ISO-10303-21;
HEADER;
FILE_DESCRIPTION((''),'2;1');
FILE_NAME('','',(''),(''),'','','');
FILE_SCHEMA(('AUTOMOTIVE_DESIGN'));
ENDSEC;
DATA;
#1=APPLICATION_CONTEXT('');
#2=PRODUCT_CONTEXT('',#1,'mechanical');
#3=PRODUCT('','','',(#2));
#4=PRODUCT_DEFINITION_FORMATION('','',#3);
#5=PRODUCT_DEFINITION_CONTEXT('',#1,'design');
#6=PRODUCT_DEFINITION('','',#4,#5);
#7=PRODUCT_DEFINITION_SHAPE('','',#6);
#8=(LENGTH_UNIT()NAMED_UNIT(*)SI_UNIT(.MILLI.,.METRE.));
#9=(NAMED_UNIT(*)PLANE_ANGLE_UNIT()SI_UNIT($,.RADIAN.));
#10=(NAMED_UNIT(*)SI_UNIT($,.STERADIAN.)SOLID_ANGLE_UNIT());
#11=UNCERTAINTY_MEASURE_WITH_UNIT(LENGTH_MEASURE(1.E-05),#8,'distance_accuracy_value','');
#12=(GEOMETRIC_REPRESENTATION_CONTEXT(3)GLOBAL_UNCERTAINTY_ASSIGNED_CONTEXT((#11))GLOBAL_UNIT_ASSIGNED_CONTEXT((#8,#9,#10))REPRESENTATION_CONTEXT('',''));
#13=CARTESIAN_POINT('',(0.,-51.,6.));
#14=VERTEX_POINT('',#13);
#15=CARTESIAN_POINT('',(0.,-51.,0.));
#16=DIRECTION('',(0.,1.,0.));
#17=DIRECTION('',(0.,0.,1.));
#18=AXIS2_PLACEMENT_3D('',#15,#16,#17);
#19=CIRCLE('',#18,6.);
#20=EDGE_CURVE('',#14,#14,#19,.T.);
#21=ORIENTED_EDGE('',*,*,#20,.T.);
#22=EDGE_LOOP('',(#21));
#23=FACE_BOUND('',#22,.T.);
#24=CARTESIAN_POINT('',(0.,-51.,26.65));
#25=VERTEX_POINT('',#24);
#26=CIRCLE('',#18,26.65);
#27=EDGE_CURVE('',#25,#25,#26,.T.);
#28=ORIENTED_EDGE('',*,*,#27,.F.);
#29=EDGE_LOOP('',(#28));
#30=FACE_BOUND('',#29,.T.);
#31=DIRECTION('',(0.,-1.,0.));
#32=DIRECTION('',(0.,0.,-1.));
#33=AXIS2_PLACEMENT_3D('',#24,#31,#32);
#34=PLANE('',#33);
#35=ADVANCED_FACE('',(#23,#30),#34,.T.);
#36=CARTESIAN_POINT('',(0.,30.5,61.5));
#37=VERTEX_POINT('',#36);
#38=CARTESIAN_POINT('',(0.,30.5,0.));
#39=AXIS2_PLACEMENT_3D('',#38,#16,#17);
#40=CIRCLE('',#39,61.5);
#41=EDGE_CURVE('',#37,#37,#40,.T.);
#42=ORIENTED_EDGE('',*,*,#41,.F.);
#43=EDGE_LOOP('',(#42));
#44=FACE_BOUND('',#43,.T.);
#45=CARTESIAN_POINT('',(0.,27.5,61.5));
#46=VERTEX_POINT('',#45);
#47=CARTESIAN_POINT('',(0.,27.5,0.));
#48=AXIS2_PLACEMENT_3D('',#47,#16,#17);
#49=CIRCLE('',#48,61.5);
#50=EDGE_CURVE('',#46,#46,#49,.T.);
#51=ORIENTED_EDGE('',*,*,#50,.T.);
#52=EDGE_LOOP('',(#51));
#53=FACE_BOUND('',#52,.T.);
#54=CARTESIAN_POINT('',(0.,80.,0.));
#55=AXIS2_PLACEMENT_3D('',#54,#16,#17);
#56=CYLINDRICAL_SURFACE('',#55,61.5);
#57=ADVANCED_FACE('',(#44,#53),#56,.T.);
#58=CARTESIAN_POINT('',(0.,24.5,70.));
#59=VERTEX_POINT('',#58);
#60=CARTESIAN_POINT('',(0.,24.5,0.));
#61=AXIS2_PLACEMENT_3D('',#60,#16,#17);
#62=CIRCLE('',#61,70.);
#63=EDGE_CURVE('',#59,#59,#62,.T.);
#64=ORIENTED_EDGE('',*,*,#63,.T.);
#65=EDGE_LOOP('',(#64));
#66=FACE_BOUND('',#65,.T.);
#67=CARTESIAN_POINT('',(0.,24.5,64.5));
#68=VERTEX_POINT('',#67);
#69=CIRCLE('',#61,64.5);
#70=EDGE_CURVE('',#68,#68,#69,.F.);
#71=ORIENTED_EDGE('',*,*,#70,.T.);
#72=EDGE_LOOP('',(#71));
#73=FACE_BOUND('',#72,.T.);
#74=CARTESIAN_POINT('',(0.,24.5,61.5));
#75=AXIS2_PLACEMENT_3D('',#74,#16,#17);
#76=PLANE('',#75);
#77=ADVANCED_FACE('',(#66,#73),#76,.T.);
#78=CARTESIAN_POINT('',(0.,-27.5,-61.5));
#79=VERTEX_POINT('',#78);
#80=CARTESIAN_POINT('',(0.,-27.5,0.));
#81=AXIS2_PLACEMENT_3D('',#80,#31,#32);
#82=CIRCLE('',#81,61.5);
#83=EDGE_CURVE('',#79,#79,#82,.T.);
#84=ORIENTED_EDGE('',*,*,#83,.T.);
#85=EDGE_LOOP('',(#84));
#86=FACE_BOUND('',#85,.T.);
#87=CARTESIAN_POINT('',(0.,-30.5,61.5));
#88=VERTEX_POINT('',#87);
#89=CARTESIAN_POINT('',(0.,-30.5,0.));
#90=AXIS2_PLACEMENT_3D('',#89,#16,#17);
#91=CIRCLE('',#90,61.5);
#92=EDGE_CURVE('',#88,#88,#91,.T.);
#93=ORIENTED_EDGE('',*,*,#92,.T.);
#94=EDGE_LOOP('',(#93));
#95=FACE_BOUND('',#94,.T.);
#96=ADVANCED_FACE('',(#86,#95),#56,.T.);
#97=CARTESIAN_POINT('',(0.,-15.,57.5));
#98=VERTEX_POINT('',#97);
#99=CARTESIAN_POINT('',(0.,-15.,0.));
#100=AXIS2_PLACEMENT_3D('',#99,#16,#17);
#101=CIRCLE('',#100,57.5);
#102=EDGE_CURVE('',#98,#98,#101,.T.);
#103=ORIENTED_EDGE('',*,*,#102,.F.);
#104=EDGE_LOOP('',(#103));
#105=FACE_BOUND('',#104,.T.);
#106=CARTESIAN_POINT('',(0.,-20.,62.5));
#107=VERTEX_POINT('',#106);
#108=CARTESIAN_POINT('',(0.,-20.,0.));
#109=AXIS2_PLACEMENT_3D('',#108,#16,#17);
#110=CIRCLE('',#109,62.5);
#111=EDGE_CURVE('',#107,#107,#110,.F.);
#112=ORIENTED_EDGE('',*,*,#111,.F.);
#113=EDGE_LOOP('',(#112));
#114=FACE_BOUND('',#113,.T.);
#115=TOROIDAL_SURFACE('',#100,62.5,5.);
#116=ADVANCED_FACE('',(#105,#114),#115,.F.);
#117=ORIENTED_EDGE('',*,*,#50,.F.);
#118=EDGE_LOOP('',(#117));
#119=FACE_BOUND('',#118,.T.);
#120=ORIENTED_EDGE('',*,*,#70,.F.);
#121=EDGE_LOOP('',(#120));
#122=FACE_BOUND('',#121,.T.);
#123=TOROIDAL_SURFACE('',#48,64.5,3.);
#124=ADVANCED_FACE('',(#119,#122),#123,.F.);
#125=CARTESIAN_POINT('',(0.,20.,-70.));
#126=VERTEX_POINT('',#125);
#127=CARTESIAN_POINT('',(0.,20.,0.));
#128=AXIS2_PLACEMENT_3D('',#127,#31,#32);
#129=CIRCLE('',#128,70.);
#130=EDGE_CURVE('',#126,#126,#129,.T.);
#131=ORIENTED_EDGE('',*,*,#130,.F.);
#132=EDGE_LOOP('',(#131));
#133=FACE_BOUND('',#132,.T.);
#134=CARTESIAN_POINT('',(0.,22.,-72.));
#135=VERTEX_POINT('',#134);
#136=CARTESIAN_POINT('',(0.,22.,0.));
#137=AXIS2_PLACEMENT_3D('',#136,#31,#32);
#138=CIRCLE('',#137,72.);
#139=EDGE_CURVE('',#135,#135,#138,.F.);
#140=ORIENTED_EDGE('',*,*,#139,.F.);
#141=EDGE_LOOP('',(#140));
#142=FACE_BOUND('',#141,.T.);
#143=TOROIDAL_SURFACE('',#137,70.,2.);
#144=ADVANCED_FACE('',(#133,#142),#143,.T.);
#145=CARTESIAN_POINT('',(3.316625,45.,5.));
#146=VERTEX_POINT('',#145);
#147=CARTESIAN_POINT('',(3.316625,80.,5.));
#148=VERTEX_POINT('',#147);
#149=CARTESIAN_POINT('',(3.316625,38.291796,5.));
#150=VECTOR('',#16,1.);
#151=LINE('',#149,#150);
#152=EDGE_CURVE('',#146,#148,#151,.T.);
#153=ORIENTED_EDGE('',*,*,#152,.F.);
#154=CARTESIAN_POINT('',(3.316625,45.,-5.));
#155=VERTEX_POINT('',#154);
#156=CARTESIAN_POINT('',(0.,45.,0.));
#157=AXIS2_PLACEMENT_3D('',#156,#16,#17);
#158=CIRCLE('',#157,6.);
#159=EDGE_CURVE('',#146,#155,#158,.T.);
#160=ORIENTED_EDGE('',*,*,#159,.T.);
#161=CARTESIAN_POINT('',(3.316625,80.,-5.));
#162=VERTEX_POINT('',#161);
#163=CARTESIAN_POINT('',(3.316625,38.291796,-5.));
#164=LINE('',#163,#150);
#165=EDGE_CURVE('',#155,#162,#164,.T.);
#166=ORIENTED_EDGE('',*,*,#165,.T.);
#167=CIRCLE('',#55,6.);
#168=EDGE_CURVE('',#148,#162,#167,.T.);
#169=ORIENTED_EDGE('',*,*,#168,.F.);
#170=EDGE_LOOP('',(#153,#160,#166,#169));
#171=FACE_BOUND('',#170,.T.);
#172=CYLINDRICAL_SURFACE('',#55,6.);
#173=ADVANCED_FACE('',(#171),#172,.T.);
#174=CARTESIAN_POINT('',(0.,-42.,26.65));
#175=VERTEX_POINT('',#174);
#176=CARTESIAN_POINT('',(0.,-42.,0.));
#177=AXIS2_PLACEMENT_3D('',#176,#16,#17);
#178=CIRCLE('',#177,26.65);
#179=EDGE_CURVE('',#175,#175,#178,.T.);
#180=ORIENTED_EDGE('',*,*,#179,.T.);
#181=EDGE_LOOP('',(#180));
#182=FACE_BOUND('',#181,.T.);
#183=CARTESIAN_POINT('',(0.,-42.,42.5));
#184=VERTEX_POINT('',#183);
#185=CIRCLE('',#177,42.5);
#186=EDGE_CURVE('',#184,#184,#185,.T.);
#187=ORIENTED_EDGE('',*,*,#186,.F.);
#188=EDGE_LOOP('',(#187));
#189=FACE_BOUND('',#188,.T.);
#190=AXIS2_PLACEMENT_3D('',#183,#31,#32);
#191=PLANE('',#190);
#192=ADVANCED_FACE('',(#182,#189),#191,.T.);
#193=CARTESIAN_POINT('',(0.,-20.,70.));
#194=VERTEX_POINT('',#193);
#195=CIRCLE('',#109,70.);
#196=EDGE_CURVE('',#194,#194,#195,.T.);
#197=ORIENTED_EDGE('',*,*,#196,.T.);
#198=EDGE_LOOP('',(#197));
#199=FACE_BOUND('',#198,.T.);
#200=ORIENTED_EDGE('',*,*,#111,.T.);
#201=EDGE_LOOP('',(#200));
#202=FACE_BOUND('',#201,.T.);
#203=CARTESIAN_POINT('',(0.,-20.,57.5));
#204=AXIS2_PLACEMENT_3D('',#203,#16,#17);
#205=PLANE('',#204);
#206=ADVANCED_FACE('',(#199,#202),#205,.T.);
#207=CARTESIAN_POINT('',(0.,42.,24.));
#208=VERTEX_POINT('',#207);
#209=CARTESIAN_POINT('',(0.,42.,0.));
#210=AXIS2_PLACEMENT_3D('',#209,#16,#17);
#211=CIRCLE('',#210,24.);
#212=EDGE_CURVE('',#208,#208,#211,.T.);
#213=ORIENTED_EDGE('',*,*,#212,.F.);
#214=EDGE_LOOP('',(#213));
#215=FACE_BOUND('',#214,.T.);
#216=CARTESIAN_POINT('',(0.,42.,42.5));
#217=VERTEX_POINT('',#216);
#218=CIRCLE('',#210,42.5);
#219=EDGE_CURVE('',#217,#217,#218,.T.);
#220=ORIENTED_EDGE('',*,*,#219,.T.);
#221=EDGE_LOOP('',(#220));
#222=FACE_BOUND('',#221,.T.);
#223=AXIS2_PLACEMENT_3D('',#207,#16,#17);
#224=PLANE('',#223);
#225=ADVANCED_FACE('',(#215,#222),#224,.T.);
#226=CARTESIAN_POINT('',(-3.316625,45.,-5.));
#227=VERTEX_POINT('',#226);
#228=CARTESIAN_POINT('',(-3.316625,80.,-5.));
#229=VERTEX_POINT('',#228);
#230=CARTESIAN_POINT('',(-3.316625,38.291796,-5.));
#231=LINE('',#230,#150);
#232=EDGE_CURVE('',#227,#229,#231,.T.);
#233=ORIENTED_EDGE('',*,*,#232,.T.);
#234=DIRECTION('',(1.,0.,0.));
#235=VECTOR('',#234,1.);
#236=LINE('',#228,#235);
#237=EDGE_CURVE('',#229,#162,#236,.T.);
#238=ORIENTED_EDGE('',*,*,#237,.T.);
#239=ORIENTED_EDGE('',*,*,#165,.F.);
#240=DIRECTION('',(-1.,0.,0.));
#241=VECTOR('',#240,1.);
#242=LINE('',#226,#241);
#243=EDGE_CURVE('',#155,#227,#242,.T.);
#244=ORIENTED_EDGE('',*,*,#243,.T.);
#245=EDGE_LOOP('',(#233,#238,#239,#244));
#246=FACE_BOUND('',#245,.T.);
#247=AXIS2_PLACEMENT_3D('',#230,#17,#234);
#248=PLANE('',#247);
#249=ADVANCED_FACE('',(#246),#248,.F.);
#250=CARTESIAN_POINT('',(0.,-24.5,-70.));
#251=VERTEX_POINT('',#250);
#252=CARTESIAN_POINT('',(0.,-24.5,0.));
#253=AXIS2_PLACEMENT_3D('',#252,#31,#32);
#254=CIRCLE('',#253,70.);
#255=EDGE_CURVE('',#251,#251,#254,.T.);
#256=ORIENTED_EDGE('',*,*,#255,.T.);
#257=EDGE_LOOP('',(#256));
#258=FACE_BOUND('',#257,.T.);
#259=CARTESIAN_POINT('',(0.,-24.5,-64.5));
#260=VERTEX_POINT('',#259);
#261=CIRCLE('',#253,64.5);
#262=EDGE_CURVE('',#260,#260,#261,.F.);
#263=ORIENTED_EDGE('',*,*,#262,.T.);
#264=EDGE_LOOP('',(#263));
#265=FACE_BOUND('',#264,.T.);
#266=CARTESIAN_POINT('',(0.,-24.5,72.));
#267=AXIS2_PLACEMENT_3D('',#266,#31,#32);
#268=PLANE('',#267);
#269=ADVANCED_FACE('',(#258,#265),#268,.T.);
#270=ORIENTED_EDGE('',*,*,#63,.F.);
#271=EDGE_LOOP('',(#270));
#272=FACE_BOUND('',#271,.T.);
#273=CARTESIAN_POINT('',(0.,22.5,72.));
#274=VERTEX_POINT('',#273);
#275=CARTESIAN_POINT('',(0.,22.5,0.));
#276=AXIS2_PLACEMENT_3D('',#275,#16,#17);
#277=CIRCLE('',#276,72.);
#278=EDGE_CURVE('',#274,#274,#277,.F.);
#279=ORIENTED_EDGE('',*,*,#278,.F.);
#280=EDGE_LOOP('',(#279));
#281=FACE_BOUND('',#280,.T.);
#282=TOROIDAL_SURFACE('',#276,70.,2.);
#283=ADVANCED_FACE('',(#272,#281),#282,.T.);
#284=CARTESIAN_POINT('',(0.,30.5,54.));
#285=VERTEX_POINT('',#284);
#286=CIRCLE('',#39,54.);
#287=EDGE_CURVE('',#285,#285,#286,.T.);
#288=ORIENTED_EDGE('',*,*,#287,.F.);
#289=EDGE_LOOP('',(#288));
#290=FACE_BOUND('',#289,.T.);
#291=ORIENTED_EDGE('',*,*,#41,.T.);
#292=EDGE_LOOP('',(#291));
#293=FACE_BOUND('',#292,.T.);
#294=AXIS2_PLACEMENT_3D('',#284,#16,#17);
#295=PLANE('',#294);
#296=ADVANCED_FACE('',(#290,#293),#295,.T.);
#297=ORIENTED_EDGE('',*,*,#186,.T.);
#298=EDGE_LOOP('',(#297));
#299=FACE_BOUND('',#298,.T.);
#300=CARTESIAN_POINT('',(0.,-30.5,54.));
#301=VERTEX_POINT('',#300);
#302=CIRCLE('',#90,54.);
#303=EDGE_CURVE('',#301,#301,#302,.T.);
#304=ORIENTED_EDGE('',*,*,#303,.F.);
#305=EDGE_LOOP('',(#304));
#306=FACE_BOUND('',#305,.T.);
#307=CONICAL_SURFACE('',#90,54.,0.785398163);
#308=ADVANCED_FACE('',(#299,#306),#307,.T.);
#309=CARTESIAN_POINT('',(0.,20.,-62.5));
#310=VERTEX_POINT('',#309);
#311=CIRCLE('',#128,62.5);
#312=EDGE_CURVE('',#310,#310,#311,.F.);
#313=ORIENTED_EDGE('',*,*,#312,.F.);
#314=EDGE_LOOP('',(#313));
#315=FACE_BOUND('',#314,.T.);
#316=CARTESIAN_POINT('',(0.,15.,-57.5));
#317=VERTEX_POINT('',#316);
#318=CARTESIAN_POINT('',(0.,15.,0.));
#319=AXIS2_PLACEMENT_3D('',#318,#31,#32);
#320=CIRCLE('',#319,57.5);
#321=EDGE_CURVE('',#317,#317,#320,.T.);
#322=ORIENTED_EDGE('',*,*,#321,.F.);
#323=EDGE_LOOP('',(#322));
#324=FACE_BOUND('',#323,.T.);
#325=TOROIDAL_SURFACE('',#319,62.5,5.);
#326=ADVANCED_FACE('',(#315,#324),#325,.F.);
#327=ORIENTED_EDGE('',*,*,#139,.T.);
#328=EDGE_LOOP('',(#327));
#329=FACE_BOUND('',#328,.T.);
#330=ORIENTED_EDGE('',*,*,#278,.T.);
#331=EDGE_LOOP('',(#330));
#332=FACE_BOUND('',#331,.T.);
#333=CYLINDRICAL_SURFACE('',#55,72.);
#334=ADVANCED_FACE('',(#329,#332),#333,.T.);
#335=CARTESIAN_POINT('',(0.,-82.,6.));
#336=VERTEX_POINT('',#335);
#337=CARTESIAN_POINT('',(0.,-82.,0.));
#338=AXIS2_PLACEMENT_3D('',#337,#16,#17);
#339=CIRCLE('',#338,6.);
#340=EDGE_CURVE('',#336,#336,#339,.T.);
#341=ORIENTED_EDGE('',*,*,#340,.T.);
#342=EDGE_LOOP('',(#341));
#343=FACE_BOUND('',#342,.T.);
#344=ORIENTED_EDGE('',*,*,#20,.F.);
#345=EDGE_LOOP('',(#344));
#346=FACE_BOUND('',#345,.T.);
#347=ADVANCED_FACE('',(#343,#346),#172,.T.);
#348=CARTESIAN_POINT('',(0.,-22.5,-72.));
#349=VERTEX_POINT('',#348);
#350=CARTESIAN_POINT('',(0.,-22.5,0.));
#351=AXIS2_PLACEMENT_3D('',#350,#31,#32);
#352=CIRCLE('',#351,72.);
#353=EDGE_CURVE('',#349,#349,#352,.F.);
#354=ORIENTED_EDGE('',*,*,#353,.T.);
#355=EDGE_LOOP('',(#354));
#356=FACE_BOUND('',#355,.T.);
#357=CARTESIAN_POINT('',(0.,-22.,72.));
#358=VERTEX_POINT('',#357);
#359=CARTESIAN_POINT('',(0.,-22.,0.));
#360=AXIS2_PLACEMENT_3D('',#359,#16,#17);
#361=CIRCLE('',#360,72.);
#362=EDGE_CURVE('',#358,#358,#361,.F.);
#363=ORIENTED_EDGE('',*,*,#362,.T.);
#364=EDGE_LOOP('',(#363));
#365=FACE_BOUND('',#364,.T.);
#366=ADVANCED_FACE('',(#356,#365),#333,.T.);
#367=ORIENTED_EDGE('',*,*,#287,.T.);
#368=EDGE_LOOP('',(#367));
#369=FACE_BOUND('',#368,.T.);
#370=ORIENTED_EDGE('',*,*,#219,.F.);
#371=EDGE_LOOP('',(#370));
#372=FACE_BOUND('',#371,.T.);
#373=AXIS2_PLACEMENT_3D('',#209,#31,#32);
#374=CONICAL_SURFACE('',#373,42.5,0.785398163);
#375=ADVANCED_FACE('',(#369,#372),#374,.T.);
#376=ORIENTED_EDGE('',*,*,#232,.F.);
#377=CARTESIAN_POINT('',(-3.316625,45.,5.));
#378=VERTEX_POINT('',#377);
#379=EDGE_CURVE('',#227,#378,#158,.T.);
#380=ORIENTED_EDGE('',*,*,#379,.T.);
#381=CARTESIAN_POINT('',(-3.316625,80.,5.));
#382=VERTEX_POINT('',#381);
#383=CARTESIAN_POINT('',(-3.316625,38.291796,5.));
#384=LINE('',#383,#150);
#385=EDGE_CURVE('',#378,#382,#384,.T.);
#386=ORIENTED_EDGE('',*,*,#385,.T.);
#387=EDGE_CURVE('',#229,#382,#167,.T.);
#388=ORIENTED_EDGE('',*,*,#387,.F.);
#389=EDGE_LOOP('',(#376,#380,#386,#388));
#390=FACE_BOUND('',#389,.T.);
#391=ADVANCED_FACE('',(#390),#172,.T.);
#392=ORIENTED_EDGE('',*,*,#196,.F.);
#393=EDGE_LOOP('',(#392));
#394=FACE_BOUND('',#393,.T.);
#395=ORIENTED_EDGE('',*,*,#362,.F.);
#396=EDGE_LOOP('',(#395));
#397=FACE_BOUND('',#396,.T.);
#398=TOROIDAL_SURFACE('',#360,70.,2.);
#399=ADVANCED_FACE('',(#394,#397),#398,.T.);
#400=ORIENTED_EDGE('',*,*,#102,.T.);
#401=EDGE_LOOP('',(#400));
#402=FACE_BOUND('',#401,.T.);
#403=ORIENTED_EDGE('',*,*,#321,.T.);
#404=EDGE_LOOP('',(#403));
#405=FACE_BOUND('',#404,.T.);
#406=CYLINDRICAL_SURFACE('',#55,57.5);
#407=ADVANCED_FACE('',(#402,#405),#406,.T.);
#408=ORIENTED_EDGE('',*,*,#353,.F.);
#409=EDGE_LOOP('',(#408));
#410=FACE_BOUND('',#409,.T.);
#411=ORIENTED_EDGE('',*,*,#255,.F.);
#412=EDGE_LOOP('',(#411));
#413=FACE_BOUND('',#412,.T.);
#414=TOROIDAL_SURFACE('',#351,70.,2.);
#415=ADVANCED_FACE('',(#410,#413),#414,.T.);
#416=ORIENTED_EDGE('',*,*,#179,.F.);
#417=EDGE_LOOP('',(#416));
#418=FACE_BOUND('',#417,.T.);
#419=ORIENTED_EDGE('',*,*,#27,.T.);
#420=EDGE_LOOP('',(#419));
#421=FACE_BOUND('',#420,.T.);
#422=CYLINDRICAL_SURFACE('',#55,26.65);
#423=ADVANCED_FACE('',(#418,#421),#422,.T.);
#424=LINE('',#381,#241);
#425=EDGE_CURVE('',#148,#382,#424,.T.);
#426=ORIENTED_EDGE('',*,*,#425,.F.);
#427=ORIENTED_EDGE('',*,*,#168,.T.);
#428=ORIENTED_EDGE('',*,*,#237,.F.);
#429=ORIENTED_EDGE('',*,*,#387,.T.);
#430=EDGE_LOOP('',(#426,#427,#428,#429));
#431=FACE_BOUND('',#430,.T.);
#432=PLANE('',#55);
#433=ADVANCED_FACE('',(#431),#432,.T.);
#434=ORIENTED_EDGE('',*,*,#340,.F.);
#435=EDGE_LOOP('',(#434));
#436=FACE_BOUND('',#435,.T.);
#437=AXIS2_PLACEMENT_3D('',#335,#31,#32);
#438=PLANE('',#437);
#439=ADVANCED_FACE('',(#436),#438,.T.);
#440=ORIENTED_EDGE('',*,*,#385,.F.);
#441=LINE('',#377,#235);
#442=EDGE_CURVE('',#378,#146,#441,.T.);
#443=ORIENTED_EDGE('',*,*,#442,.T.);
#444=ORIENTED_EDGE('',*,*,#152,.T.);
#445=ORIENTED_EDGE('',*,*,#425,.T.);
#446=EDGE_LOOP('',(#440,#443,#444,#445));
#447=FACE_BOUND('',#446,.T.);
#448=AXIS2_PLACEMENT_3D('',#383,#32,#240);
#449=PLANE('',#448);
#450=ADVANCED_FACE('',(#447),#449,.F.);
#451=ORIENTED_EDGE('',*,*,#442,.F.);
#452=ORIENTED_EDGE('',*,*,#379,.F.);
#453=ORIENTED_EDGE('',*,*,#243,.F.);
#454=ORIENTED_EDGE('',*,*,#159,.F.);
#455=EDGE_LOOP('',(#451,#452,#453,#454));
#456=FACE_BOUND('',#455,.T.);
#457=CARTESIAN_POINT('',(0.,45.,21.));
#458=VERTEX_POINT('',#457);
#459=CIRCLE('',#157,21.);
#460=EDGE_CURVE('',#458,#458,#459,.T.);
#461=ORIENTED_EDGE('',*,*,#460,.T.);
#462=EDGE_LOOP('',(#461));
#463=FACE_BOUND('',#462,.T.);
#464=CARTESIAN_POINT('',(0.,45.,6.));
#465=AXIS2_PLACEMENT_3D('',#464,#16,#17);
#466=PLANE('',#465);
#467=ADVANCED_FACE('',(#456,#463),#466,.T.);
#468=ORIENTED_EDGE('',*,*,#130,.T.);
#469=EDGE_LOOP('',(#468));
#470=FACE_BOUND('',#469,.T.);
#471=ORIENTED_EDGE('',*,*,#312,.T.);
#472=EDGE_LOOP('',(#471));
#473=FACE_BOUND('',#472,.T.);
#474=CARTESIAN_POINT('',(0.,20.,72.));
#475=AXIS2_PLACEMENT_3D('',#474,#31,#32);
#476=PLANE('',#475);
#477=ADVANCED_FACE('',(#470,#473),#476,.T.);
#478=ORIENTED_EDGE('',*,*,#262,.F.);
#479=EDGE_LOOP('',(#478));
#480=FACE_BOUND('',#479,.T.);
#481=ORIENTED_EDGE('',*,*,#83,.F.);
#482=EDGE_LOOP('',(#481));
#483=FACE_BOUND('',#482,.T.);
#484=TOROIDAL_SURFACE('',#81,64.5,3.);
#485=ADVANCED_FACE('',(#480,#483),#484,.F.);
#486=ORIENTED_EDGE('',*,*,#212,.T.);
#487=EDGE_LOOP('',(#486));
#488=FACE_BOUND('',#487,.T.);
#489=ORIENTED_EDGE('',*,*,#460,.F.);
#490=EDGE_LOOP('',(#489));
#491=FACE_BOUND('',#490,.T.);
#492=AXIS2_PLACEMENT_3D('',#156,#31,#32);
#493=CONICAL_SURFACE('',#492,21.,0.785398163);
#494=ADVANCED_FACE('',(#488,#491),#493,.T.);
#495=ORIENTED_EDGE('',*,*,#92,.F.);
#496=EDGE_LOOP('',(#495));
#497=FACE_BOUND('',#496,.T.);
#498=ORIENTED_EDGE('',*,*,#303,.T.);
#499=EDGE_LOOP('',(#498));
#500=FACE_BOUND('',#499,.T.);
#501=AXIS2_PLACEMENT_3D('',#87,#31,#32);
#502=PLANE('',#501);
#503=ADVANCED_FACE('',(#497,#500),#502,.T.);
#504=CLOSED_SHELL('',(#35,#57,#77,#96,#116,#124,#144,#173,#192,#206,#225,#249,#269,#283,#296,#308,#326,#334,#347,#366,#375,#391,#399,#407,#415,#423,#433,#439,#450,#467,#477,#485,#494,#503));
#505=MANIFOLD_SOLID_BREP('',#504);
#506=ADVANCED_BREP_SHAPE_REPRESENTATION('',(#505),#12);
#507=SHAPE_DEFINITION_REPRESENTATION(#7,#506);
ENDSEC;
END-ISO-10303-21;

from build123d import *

# Parameters (mm, degrees)
FILLET_1_R          = 2
FILLET_2_R          = 5
FILLET_3_R          = 3
CUT_EXTRUDE_1_DEPTH = 35


with BuildPart() as part:
    # Эскиз1 → Повернуть1 (revolve)
    with BuildSketch(Plane(origin=(0, 0, 0), x_dir=(0, 0, -1), z_dir=(1, 0, 0))):
        Polygon((0, 80), (-6, 80), (-6, 45), (-21, 45), (-24, 42), (-42.5, 42), (-54, 30.5), (-61.5, 30.5), (-61.5, 24.5), (-72, 24.5), (-72, 20), (-57.5, 20), (-57.5, -20), (-72, -20), (-72, -24.5), (-61.5, -24.5), (-61.5, -30.5), (-54, -30.5), (-42.5, -42), (-26.65, -42), (-26.65, -51), (-6, -51), (-6, -82), (0, -82), align=None)
    revolve(axis=Axis((0, 80, 0), (0, -1, 0)))

    # Скругление1
    fillet_1_edges = [part.edges().sort_by_distance(p)[0] for p in [
        (0, -24.5, -72),
        (0, -20, -72),
        (0, 20, -72),
        (0, 24.5, -72),
    ]]
    fillet(fillet_1_edges, radius=FILLET_1_R)

    # Скругление2
    fillet_2_edges = [part.edges().sort_by_distance(p)[0] for p in [
        (0, -20, -57.5),
        (0, 20, -57.5),
    ]]
    fillet(fillet_2_edges, radius=FILLET_2_R)

    # Скругление3
    fillet_3_edges = [part.edges().sort_by_distance(p)[0] for p in [
        (0, -24.5, -61.5),
        (0, 24.5, -61.5),
    ]]
    fillet(fillet_3_edges, radius=FILLET_3_R)

    # Эскиз2 → Вырез-Вытянуть1 (cut)
    with BuildSketch(Plane(origin=(0, 80, 0), x_dir=(1, 0, 0), z_dir=(0, 1, 0))):
        with BuildLine():
            Line((-3.31662479, 5), (3.31662479, 5))
            ThreePointArc((3.31662479, 5), (0, 6), (-3.31662479, 5))
        make_face()
        with BuildLine():
            Line((-3.31662479, -5), (3.31662479, -5))
            ThreePointArc((3.31662479, -5), (0, -6), (-3.31662479, -5))
        make_face()
    extrude(amount=-CUT_EXTRUDE_1_DEPTH, mode=Mode.SUBTRACT)


solid = part.part
